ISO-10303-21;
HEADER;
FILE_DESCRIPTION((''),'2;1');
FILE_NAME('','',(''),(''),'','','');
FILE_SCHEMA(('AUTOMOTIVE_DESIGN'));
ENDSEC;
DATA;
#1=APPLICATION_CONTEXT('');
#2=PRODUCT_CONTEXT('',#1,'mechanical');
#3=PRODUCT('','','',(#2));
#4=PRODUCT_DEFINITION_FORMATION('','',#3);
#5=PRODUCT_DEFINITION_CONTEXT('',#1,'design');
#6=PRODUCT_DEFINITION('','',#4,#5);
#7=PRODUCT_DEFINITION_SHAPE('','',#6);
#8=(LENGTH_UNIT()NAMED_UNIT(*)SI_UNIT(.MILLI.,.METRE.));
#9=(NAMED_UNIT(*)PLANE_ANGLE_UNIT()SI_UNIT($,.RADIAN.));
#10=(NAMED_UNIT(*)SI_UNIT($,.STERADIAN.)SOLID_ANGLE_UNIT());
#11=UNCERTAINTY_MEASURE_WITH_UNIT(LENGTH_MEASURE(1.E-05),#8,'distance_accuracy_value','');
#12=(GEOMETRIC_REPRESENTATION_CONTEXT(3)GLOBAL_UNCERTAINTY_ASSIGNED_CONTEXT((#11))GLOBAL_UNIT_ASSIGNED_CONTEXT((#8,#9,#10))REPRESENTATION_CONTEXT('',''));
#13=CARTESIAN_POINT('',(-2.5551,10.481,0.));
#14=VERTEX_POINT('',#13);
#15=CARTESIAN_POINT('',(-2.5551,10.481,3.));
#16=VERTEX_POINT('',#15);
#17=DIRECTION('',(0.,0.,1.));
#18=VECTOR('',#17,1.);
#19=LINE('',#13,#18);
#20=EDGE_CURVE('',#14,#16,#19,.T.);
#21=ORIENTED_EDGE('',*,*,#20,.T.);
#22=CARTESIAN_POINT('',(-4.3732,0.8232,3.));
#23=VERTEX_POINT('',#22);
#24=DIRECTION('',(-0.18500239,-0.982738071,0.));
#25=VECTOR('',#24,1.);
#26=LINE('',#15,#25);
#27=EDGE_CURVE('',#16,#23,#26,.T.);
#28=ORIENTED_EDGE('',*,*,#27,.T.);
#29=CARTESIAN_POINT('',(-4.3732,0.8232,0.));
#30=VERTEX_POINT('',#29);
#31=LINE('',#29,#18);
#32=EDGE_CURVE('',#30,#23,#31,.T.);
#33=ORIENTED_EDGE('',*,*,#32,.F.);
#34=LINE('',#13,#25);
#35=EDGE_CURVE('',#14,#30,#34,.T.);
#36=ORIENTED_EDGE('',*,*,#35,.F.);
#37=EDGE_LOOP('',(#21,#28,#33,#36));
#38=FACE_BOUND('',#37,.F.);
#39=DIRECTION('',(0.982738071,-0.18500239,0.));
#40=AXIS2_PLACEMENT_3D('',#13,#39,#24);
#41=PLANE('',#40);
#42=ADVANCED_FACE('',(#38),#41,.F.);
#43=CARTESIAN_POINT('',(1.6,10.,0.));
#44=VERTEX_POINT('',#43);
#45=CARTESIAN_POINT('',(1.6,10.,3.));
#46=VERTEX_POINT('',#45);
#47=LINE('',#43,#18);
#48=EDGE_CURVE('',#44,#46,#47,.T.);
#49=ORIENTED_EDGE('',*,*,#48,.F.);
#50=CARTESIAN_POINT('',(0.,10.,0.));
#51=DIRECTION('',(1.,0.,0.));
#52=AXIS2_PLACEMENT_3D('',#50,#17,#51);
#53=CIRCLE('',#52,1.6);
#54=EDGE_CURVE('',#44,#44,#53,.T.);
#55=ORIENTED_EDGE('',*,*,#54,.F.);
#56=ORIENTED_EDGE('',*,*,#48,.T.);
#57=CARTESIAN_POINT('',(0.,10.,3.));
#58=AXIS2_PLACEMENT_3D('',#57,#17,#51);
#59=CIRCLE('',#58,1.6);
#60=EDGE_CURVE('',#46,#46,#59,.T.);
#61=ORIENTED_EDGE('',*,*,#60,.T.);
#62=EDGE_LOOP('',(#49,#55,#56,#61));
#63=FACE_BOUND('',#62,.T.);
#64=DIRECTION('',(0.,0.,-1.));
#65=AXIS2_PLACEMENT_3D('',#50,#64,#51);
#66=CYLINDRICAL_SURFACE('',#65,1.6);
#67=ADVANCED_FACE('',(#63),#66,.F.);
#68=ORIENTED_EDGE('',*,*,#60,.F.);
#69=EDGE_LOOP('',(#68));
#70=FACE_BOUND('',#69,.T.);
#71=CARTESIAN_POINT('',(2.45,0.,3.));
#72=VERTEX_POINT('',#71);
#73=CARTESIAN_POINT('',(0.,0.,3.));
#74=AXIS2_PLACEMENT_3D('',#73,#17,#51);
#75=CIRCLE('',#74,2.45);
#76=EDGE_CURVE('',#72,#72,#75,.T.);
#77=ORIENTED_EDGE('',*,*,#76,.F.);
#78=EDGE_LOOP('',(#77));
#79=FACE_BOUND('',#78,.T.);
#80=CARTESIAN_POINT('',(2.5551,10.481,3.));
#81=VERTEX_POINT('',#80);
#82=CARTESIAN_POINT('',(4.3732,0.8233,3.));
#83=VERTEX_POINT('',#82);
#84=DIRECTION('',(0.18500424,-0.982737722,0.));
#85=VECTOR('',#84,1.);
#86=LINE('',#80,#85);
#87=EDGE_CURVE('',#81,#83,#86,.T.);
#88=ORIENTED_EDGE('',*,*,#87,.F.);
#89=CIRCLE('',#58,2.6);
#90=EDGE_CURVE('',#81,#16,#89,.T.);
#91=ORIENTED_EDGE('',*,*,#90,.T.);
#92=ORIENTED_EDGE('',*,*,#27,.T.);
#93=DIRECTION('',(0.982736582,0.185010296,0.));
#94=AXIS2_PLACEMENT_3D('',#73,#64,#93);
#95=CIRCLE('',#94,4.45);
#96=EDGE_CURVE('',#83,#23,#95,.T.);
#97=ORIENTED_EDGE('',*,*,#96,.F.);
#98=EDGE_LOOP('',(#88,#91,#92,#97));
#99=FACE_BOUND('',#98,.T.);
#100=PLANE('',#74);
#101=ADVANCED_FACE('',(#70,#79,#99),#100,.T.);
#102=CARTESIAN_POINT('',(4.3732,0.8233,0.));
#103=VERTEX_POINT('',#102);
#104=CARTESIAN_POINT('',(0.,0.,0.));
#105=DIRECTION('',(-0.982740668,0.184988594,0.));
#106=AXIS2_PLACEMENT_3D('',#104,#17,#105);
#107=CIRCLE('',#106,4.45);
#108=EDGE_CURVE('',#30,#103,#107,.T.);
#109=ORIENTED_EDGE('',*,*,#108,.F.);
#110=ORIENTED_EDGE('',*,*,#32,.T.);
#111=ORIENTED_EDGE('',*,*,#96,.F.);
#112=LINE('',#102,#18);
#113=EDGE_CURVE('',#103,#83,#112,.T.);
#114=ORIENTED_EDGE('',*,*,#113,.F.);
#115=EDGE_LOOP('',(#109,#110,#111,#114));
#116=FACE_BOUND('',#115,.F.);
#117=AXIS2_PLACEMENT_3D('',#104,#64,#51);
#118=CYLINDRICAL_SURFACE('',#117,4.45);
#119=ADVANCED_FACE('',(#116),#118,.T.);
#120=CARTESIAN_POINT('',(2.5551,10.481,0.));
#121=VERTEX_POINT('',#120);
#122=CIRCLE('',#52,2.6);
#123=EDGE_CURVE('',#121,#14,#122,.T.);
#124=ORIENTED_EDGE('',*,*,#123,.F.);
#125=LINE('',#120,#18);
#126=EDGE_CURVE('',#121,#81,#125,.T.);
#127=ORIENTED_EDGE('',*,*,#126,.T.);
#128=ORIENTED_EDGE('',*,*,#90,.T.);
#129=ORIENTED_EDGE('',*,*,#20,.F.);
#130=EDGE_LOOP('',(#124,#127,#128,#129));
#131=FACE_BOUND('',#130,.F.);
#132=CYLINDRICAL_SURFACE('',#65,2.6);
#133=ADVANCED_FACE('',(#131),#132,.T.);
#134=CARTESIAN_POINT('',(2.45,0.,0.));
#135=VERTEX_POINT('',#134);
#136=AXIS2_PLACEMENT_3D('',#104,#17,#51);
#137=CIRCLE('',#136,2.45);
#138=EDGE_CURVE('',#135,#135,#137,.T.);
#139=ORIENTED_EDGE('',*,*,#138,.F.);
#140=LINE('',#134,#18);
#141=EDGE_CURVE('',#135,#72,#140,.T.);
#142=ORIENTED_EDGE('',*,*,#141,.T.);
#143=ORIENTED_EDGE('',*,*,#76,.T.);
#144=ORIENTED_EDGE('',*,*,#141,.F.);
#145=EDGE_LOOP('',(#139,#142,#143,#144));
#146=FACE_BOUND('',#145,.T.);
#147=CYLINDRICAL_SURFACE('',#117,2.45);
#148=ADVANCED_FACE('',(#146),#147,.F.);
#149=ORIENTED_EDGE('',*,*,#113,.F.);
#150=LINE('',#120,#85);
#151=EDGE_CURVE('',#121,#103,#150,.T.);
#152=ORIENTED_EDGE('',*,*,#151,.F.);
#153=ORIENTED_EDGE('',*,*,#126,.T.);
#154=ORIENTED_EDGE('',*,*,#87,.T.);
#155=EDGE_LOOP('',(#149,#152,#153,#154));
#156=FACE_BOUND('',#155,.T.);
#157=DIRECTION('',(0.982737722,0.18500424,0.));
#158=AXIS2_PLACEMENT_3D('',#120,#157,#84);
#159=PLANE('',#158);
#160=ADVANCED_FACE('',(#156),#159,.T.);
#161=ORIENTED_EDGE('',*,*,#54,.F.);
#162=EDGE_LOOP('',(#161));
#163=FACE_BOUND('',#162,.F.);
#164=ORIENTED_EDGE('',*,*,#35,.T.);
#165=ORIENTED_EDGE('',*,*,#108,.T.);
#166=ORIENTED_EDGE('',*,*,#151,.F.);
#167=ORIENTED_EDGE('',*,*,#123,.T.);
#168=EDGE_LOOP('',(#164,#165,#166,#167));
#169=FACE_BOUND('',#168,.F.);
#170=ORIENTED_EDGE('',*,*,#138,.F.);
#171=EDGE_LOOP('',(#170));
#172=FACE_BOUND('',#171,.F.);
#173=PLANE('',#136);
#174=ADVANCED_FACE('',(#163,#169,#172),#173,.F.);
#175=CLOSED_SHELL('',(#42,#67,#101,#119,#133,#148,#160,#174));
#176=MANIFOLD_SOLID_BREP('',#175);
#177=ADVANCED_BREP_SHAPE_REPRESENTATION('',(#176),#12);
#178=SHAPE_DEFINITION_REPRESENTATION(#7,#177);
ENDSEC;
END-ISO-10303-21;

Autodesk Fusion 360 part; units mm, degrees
sketch "Sketch1" plane through (0, 0, 0) normal (0, 0, 1) x (1, 0, 0)
  circle A0 centre (0, 0) radius 2.45
  line L0 (0, 0) -> (0, 10) construction
  circle A1 centre (0, 10) radius 1.6
  circle A2 centre (0, 0) radius 4.45
  circle A3 centre (0, 10) radius 2.6
  line L1 (2.5551, 10.481) -> (4.3732, 0.8233)
  line L2 (-2.5551, 10.481) -> (-4.3732, 0.8232)
  dimension "d1" = 4.9
  dimension "d2" = 10
  dimension "d3" = 3.2
  dimension "d4" = 2
  dimension "d5" = 1
extrude "Extrude1" add sketch "Sketch1" along normal blind 3
